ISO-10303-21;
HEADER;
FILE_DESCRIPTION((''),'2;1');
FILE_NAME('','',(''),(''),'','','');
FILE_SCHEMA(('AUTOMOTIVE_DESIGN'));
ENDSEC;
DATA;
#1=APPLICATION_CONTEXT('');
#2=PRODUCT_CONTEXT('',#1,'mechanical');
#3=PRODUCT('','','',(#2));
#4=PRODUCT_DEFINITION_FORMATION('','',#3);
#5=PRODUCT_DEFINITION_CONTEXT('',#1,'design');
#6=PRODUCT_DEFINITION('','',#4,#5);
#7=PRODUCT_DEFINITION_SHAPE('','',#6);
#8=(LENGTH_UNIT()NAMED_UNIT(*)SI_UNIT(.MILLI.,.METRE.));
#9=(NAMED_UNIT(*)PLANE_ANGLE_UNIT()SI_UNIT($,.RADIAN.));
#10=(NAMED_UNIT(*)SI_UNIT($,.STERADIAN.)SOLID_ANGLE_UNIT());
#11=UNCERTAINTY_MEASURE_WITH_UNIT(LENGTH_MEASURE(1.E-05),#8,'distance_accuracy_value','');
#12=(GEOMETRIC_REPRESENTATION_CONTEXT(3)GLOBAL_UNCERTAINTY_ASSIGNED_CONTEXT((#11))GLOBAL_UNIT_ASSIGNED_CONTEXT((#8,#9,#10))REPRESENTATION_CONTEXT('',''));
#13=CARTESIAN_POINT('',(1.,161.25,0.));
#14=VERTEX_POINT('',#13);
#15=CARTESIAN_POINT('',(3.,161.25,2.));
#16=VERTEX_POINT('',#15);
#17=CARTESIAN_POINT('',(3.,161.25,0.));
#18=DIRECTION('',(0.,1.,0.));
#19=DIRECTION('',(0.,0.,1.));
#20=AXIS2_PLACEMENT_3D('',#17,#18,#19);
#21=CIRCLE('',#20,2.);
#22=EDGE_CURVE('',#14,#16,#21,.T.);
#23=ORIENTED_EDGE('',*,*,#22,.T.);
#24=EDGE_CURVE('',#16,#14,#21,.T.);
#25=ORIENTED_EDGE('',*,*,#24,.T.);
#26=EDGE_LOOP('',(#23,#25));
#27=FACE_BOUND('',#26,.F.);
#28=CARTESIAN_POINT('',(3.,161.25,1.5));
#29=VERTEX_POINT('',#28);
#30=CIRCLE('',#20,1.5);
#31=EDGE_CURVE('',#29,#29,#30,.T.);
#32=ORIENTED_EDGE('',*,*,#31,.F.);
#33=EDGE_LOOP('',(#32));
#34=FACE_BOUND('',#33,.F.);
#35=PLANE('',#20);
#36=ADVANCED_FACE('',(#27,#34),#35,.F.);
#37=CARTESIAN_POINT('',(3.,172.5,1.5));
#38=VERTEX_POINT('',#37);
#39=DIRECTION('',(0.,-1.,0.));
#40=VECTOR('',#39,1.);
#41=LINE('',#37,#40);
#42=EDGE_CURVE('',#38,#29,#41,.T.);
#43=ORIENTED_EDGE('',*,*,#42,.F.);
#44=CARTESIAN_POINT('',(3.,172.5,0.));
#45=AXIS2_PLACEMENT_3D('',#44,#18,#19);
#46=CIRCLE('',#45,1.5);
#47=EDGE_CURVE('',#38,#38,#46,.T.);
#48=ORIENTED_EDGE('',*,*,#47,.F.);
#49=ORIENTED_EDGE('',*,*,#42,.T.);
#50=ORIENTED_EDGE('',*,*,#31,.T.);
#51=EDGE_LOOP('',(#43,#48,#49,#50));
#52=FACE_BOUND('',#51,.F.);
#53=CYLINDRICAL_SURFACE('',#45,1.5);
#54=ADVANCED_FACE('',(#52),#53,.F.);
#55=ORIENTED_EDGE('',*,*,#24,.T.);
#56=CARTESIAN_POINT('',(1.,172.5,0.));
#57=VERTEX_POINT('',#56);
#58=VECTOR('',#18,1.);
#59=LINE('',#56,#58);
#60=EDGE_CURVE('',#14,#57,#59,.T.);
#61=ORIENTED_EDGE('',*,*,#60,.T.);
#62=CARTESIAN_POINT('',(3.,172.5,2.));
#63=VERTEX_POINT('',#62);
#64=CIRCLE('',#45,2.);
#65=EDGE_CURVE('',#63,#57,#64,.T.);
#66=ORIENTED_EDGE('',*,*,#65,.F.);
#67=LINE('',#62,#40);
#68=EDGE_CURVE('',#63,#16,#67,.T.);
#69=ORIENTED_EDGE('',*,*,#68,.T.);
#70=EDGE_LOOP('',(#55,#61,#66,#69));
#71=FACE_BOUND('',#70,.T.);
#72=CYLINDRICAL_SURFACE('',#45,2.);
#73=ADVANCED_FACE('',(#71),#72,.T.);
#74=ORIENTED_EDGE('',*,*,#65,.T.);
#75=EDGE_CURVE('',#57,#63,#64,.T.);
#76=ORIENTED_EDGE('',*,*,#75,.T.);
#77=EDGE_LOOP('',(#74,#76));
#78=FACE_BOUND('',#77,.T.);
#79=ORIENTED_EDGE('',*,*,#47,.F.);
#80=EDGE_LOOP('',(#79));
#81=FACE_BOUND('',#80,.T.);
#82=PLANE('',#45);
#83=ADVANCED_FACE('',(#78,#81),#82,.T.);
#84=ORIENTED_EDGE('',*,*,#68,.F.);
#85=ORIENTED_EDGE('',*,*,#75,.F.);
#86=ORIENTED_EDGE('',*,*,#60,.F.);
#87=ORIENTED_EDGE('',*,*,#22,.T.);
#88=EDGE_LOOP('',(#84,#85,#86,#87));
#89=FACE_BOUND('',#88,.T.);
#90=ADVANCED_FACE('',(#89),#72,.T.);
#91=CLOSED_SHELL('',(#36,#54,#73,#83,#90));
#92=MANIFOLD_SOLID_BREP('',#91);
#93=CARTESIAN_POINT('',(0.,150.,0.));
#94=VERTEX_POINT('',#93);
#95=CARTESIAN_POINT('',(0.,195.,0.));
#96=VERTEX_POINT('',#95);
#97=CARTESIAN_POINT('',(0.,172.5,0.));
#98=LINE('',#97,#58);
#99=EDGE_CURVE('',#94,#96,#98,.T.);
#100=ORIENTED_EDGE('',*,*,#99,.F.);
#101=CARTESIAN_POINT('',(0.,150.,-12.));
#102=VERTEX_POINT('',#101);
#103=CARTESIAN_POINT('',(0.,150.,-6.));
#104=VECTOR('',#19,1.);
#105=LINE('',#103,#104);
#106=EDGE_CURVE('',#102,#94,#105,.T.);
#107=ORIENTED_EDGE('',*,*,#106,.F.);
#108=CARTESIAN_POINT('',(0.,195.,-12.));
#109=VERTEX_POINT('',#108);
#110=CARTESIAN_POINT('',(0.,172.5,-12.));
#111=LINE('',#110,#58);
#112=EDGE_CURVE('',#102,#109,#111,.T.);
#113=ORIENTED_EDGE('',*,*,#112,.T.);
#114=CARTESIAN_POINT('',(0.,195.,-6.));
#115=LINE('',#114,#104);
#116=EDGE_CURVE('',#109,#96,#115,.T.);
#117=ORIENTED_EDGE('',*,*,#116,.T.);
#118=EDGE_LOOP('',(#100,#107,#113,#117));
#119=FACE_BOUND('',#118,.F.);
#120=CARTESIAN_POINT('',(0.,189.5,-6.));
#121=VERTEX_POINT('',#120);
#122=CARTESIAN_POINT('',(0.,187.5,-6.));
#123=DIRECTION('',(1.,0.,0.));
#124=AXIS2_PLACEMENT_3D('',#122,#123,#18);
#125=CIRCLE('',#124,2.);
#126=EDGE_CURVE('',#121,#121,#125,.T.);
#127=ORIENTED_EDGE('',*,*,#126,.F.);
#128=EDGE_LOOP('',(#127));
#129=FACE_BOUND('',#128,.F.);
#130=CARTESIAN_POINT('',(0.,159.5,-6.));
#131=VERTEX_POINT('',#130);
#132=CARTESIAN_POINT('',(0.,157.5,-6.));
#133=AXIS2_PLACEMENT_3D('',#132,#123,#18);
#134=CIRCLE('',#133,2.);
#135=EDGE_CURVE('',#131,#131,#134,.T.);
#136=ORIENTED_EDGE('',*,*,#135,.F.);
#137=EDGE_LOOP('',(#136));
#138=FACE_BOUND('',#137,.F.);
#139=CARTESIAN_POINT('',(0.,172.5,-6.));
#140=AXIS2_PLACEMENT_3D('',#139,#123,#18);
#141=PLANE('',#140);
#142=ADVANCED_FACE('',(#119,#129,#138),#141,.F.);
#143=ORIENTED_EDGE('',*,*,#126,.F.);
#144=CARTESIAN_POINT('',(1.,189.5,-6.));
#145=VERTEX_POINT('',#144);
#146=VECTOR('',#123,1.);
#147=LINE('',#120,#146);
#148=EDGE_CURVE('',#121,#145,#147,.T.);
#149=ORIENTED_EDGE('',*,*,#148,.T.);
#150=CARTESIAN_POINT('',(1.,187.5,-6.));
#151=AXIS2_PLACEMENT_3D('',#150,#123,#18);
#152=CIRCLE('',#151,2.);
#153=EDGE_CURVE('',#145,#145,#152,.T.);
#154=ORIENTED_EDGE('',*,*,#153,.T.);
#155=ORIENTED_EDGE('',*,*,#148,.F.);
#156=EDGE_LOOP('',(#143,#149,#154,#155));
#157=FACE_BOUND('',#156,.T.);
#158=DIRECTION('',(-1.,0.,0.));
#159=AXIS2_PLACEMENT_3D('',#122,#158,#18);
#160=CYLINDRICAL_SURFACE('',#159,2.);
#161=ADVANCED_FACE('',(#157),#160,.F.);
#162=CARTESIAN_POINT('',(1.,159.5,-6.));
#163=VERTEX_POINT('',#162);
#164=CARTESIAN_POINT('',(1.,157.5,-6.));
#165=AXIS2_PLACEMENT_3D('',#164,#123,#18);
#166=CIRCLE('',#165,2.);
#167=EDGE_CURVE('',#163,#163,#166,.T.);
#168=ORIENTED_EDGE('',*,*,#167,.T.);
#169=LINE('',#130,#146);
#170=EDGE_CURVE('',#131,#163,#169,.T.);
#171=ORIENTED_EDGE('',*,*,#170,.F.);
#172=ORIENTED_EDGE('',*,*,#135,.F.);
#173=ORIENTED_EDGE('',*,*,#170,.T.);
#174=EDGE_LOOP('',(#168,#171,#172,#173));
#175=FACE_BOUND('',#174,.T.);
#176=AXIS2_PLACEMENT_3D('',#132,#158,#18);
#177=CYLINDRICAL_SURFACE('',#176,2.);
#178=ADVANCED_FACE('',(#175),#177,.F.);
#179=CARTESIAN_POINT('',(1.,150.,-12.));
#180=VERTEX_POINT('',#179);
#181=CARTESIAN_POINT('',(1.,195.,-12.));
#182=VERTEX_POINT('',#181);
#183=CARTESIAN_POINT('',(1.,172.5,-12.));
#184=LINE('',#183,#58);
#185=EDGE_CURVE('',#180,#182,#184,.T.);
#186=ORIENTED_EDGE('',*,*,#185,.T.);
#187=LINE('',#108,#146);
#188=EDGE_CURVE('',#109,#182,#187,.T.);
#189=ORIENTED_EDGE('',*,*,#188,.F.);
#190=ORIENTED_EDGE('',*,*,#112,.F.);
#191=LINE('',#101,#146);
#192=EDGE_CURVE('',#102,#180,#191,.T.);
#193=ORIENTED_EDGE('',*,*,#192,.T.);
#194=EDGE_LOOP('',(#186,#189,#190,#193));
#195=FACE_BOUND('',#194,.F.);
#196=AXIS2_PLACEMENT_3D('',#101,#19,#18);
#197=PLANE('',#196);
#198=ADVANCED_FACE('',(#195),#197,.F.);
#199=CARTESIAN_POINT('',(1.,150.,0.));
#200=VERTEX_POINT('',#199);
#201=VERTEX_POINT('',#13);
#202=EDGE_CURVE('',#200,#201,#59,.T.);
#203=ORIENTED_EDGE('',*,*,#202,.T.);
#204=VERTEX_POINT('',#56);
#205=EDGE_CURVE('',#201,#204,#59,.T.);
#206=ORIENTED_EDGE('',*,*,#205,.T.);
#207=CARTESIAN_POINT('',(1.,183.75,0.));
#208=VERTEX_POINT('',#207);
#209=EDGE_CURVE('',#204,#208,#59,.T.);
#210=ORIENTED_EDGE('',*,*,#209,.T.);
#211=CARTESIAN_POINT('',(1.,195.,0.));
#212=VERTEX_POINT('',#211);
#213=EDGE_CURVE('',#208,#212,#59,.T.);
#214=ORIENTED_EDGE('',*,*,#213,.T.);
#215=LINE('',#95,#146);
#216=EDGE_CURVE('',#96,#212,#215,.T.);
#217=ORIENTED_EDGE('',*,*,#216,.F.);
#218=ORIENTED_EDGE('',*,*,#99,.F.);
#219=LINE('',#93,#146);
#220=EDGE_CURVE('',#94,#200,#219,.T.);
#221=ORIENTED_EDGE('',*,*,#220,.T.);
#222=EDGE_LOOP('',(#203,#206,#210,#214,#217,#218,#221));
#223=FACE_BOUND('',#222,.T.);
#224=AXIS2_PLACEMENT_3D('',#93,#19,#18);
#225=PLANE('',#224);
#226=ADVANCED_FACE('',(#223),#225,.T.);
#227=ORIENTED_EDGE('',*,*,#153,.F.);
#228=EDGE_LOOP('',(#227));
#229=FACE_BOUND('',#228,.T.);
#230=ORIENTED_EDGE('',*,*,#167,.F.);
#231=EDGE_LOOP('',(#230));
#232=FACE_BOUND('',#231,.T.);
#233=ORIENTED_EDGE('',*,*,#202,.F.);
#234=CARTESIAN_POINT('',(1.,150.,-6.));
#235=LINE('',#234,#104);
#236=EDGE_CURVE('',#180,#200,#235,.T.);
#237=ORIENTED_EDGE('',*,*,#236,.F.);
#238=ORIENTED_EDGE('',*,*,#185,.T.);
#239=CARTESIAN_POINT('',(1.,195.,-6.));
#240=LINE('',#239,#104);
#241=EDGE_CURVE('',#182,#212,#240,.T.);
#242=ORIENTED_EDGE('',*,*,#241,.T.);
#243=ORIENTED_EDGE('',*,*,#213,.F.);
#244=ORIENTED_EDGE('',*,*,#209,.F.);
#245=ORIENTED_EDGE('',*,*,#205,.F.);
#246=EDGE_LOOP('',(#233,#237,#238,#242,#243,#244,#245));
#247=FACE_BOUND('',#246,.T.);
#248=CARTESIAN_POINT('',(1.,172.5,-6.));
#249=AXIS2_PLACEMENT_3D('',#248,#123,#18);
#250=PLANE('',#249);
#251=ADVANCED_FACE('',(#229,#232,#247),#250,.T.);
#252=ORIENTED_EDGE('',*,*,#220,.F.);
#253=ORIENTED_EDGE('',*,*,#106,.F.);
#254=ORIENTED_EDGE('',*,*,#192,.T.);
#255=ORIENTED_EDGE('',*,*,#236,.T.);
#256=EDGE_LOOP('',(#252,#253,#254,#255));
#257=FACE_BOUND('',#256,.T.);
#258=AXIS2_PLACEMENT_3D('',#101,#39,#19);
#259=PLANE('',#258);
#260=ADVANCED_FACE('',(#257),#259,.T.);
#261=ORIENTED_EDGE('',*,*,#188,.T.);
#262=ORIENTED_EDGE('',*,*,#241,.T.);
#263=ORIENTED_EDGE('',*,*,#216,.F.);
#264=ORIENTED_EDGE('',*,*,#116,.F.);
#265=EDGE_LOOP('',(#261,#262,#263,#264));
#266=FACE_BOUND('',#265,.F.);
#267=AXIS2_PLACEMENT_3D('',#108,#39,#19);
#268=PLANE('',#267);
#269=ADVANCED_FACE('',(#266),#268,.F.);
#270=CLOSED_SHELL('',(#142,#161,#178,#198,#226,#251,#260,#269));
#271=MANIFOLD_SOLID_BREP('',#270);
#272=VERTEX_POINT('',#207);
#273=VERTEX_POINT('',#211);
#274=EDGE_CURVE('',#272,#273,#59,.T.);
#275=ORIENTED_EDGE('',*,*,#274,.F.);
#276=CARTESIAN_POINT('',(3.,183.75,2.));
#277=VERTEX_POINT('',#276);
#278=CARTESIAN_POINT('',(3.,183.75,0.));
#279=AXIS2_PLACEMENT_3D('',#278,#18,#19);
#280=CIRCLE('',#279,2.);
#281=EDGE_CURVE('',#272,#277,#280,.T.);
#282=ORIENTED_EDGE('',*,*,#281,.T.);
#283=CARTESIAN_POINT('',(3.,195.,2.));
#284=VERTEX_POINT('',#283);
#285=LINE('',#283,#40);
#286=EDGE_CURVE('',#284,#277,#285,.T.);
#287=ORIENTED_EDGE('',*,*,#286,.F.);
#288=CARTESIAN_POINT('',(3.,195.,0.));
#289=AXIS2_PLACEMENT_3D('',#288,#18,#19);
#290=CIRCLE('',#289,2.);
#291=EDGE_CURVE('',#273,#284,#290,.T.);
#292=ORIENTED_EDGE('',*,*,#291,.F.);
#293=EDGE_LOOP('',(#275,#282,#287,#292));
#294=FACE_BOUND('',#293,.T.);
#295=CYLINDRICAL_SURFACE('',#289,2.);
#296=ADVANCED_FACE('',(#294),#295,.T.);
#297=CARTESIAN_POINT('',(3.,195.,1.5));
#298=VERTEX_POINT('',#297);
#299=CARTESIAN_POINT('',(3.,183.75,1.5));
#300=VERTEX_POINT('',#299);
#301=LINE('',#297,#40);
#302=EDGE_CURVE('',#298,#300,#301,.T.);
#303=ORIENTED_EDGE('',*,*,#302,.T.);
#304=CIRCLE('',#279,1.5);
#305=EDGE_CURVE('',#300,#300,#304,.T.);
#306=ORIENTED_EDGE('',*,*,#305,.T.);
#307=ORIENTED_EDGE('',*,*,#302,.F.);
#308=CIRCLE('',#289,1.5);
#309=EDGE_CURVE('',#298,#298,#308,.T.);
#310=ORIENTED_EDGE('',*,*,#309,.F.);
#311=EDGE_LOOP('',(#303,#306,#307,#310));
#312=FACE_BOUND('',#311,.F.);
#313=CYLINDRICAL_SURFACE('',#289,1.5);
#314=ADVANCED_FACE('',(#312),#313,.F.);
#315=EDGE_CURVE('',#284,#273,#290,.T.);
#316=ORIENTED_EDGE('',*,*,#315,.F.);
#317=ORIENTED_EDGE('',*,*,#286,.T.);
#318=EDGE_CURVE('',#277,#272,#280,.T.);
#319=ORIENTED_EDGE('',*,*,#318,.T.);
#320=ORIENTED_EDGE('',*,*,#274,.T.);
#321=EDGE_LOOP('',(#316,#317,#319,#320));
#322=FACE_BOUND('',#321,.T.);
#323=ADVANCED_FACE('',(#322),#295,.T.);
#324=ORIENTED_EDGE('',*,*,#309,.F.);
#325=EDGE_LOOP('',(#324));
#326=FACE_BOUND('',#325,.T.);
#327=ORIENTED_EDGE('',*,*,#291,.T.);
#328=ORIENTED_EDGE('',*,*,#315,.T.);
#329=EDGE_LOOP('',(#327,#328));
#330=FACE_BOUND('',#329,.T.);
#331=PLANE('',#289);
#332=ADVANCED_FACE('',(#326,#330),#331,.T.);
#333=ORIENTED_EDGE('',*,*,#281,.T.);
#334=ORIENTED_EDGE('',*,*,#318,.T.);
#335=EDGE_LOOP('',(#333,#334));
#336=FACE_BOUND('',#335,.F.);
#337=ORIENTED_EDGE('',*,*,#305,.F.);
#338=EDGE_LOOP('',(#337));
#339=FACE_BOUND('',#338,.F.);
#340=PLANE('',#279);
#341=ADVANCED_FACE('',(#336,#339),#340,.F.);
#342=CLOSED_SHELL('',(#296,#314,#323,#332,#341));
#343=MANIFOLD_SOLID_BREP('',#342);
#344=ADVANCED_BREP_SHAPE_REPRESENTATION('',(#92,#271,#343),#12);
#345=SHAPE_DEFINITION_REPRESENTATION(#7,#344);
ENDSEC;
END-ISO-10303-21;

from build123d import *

# Parameters (mm, degrees)
SKETCH007_W            = 45
SKETCH007_H            = 12
SKETCH007_R            = 2
PAD007_DEPTH           = 1
SKETCH008_R            = 2
SKETCH008_R_2          = 1.5
PAD008_DEPTH           = 11.25
LINEARPATTERN003_COUNT = 2
LINEARPATTERN003_PITCH = 22.5


with BuildPart() as part:
    # Sketch007 → Pad007 (new body)
    with BuildSketch(Plane.YZ):
        with Locations((172.5, -6)):
            Rectangle(SKETCH007_W, SKETCH007_H)
        with Locations((157.5, -6)):
            Circle(SKETCH007_R, mode=Mode.SUBTRACT)
        with Locations((187.5, -6)):
            Circle(SKETCH007_R, mode=Mode.SUBTRACT)
    extrude(amount=PAD007_DEPTH)

    # Sketch008 (on Face2 of Pad007) → Pad008 (join)
    with BuildSketch(Plane.ZX.offset(195)):
        with Locations((0, 3)):
            Circle(SKETCH008_R)
        with Locations((0, 3)):
            Circle(SKETCH008_R_2, mode=Mode.SUBTRACT)
    pad008 = extrude(amount=-PAD008_DEPTH)

    # LinearPattern003: Pad008 ×2
    with Locations(*[(0, -i * LINEARPATTERN003_PITCH, 0) for i in range(1, LINEARPATTERN003_COUNT)]):
        add(pad008)


solid = part.part
